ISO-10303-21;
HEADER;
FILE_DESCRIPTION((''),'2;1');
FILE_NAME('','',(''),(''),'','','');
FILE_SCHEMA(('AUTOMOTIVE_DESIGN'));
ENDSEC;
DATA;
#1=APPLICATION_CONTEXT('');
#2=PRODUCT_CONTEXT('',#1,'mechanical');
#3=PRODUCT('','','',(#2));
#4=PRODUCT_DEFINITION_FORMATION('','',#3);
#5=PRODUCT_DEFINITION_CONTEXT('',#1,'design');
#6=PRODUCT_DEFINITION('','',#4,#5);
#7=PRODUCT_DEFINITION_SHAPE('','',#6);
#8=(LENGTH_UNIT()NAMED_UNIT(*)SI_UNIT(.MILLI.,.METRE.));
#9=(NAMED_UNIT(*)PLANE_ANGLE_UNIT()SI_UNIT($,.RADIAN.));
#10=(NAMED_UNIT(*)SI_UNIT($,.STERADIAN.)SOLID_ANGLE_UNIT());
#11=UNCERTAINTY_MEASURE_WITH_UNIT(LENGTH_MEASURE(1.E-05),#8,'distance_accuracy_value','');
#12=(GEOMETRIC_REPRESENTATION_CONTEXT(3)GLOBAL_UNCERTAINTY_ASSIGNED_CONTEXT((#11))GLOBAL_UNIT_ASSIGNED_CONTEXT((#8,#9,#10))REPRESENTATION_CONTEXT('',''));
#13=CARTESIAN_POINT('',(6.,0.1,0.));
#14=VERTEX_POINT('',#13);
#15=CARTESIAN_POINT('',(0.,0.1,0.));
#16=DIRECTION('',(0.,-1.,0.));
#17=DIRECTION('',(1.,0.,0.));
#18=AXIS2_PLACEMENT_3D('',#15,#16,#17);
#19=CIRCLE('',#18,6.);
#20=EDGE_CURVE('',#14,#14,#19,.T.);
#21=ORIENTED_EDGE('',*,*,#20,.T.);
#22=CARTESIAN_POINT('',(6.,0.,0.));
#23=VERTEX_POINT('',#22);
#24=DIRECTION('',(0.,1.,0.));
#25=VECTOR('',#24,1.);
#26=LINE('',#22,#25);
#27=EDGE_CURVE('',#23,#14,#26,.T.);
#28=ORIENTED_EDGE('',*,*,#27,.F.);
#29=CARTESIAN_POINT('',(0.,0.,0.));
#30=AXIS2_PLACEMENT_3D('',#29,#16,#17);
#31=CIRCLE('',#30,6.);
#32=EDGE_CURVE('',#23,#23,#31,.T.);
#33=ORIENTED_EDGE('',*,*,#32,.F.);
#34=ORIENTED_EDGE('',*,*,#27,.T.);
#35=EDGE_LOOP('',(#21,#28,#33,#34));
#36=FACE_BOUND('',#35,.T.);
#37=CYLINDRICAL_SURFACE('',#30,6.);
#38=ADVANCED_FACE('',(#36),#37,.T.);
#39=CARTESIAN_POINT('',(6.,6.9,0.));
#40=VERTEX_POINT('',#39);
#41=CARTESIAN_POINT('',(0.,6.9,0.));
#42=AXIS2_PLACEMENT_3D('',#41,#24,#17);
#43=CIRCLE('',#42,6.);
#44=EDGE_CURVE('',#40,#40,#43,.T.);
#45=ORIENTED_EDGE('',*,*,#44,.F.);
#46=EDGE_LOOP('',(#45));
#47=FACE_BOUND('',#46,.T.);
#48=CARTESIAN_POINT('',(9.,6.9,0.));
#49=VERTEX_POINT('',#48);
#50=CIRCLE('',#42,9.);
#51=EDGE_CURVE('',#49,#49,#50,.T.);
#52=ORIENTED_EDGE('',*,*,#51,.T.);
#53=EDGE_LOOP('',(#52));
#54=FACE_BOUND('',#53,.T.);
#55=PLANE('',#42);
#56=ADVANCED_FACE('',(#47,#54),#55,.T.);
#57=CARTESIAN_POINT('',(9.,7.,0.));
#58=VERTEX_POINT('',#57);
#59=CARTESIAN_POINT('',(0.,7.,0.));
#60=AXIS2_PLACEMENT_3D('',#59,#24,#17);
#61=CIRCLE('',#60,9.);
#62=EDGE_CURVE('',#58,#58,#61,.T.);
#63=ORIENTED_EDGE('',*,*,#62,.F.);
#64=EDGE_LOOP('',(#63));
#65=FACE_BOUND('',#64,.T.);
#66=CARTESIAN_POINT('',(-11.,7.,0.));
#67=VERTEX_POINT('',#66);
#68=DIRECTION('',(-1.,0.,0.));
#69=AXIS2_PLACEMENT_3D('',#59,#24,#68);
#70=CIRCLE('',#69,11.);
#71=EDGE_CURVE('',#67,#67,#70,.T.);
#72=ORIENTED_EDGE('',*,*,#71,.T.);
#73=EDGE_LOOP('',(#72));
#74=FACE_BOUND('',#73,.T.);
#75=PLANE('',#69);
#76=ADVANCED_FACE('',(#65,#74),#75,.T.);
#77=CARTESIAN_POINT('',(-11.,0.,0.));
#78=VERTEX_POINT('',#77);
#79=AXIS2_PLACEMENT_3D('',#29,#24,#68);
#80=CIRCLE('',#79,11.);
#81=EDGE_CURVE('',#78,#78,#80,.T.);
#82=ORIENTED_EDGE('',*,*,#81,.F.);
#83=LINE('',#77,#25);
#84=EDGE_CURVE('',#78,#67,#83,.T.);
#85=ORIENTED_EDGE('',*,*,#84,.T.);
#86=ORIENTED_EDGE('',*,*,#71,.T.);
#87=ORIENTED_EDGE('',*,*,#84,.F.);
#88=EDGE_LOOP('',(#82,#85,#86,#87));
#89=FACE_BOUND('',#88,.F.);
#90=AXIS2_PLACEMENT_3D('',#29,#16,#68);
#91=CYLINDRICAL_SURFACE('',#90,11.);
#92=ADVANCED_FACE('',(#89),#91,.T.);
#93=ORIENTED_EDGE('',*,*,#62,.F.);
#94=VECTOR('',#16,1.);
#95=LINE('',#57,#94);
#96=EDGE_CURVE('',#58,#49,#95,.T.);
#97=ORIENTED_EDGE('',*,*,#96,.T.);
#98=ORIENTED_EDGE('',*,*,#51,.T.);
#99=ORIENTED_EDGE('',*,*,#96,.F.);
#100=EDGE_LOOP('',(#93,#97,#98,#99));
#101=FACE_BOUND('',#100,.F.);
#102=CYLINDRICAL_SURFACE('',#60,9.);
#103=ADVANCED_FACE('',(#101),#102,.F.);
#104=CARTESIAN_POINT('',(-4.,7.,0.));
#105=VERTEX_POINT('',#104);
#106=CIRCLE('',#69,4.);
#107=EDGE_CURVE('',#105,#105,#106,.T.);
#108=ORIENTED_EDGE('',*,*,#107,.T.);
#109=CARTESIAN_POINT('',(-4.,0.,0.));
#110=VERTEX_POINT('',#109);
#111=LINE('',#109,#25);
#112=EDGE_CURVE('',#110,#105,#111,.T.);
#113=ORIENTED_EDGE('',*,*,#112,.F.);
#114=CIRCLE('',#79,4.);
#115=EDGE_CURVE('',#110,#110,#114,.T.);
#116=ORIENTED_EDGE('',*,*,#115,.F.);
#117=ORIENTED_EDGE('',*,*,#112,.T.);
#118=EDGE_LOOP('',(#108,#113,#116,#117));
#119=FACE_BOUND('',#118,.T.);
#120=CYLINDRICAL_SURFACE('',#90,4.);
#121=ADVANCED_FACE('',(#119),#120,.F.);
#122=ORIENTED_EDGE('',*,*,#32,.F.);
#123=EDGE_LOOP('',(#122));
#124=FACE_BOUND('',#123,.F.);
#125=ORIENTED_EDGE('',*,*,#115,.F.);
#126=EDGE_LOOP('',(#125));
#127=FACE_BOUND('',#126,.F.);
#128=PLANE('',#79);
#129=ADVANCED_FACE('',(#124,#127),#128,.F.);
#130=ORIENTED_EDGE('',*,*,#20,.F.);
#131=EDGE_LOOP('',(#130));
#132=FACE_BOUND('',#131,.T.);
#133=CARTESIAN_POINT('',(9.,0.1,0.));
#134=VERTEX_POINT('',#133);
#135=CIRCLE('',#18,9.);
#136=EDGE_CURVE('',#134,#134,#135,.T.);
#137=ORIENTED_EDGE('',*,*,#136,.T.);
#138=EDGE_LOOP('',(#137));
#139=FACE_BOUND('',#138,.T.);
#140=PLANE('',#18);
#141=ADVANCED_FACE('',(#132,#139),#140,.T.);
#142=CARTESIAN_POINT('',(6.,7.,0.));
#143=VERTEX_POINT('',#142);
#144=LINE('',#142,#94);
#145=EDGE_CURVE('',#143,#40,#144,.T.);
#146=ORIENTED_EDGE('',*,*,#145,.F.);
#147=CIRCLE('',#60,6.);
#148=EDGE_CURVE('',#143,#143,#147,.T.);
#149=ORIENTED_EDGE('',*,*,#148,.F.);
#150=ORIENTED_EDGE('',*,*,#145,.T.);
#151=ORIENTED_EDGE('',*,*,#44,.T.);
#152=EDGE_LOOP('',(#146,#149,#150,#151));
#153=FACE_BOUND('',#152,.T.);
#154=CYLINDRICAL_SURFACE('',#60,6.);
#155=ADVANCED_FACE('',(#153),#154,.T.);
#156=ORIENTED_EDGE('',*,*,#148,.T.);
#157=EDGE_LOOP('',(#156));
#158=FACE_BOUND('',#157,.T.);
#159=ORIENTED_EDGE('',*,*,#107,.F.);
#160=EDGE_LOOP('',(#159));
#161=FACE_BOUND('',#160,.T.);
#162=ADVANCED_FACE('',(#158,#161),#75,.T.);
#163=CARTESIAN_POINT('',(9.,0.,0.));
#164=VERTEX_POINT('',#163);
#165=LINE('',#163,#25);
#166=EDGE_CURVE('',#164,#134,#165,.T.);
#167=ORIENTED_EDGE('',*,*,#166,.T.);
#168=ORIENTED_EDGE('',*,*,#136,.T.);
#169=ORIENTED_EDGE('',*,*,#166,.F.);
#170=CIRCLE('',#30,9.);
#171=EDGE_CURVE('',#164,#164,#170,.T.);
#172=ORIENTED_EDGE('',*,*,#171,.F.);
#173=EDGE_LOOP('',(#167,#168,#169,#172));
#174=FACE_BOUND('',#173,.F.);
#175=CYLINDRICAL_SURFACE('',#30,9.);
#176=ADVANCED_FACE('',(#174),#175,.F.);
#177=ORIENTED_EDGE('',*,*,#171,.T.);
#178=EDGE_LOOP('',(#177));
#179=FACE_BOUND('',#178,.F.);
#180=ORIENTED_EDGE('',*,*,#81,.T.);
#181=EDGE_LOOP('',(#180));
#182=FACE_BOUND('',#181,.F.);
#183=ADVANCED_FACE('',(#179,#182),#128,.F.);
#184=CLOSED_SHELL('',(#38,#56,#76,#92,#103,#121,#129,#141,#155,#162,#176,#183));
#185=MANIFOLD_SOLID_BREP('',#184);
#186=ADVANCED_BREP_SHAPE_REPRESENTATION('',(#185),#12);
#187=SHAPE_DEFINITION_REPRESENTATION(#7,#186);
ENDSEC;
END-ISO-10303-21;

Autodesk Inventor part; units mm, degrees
ref_plane "YZ Plane" through (0, 0, 0) normal (1, 0, 0) x (0, 1, 0)
ref_plane "XZ Plane" through (0, 0, 0) normal (0, 1, 0) x (-1, 0, 0)
ref_plane "XY Plane" through (0, 0, 0) normal (0, 0, 1) x (1, 0, 0)
sketch "Sketch1" plane through (0, 0, 0) normal (0, 1, 0) x (-1, 0, 0)
  circle A0 centre (0, 0) radius 4
  circle A1 centre (0, 0) radius 11
  dimension "d0" = 8
  dimension "d1" = 22
extrude "Extrusion1" add sketch "Sketch1" along normal blind 7
sketch "Sketch2" plane through (0, 7, 0) normal (0, 1, 0) x (1, 0, 0)
  circle A0 centre (0, 0) radius 4 projected
  circle A1 centre (0, 0) radius 11 projected
  circle A2 centre (0, 0) radius 9
  circle A3 centre (0, 0) radius 6
  dimension "d4" = 2
  dimension "d5" = 2
extrude "Extrusion2" cut sketch "Sketch2" against normal blind 0.1 contours A2
sketch "Sketch3" plane through (0, 0, 0) normal (0, -1, 0) x (1, 0, 0)
  circle A0 centre (0, 0) radius 4 projected
  circle A1 centre (0, 0) radius 11 projected
  circle A2 centre (0, 0) radius 9 projected
  circle A3 centre (0, 0) radius 6 projected
extrude "Extrusion3" cut sketch "Sketch3" against normal blind 0.1 contours A2
properties part number "608 skate bearing"
